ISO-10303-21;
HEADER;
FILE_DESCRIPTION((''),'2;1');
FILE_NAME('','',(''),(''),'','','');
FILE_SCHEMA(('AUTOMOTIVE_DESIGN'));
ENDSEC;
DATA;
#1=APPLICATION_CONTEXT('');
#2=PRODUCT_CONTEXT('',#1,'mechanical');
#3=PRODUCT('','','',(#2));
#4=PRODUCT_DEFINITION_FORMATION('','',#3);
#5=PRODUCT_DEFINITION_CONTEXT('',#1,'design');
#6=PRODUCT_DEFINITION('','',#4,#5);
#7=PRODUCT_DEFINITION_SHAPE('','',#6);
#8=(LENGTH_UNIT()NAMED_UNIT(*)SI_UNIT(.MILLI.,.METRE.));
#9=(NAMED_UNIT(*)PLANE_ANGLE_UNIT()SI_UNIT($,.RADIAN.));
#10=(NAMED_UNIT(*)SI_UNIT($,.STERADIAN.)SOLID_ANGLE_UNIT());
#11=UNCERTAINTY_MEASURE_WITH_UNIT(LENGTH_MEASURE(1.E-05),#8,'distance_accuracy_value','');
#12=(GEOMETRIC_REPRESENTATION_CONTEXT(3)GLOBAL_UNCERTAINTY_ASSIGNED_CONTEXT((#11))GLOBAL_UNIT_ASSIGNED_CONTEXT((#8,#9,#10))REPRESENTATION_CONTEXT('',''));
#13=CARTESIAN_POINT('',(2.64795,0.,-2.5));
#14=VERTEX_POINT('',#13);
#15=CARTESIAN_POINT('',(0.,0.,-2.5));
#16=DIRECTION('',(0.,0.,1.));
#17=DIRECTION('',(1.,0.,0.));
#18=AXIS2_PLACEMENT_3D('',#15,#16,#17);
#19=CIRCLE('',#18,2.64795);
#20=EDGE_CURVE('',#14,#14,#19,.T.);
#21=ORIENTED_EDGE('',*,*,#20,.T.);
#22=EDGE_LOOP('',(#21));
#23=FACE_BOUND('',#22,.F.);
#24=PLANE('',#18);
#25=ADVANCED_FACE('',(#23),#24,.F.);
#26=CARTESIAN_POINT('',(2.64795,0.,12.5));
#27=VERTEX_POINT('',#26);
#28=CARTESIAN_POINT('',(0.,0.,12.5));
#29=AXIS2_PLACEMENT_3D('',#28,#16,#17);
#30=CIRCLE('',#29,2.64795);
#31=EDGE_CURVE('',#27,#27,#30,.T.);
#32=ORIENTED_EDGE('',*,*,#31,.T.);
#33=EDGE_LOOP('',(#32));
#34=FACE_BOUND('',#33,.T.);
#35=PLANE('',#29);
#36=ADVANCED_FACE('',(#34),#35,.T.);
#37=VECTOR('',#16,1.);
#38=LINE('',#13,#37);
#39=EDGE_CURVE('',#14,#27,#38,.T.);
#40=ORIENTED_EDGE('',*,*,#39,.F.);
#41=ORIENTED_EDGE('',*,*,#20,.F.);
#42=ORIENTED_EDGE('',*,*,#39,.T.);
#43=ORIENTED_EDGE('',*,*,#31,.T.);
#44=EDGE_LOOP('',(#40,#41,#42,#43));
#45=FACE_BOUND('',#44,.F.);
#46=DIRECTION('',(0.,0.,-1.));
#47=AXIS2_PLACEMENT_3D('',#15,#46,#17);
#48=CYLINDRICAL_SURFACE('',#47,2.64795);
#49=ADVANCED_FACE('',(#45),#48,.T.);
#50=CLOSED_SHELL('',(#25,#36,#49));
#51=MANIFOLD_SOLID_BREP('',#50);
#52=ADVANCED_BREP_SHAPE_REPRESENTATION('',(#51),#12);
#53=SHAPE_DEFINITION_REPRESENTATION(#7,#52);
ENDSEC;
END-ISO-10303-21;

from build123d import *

# Parameters (mm, degrees)
CYLINDER_R     = 2.64795
CYLINDER_DEPTH = 15


with BuildPart() as part:
    # Cylinder → Cylinder (new body)
    with BuildSketch(Plane.XY.offset(-2.5)):
        Circle(CYLINDER_R)
    extrude(amount=CYLINDER_DEPTH)


solid = part.part
